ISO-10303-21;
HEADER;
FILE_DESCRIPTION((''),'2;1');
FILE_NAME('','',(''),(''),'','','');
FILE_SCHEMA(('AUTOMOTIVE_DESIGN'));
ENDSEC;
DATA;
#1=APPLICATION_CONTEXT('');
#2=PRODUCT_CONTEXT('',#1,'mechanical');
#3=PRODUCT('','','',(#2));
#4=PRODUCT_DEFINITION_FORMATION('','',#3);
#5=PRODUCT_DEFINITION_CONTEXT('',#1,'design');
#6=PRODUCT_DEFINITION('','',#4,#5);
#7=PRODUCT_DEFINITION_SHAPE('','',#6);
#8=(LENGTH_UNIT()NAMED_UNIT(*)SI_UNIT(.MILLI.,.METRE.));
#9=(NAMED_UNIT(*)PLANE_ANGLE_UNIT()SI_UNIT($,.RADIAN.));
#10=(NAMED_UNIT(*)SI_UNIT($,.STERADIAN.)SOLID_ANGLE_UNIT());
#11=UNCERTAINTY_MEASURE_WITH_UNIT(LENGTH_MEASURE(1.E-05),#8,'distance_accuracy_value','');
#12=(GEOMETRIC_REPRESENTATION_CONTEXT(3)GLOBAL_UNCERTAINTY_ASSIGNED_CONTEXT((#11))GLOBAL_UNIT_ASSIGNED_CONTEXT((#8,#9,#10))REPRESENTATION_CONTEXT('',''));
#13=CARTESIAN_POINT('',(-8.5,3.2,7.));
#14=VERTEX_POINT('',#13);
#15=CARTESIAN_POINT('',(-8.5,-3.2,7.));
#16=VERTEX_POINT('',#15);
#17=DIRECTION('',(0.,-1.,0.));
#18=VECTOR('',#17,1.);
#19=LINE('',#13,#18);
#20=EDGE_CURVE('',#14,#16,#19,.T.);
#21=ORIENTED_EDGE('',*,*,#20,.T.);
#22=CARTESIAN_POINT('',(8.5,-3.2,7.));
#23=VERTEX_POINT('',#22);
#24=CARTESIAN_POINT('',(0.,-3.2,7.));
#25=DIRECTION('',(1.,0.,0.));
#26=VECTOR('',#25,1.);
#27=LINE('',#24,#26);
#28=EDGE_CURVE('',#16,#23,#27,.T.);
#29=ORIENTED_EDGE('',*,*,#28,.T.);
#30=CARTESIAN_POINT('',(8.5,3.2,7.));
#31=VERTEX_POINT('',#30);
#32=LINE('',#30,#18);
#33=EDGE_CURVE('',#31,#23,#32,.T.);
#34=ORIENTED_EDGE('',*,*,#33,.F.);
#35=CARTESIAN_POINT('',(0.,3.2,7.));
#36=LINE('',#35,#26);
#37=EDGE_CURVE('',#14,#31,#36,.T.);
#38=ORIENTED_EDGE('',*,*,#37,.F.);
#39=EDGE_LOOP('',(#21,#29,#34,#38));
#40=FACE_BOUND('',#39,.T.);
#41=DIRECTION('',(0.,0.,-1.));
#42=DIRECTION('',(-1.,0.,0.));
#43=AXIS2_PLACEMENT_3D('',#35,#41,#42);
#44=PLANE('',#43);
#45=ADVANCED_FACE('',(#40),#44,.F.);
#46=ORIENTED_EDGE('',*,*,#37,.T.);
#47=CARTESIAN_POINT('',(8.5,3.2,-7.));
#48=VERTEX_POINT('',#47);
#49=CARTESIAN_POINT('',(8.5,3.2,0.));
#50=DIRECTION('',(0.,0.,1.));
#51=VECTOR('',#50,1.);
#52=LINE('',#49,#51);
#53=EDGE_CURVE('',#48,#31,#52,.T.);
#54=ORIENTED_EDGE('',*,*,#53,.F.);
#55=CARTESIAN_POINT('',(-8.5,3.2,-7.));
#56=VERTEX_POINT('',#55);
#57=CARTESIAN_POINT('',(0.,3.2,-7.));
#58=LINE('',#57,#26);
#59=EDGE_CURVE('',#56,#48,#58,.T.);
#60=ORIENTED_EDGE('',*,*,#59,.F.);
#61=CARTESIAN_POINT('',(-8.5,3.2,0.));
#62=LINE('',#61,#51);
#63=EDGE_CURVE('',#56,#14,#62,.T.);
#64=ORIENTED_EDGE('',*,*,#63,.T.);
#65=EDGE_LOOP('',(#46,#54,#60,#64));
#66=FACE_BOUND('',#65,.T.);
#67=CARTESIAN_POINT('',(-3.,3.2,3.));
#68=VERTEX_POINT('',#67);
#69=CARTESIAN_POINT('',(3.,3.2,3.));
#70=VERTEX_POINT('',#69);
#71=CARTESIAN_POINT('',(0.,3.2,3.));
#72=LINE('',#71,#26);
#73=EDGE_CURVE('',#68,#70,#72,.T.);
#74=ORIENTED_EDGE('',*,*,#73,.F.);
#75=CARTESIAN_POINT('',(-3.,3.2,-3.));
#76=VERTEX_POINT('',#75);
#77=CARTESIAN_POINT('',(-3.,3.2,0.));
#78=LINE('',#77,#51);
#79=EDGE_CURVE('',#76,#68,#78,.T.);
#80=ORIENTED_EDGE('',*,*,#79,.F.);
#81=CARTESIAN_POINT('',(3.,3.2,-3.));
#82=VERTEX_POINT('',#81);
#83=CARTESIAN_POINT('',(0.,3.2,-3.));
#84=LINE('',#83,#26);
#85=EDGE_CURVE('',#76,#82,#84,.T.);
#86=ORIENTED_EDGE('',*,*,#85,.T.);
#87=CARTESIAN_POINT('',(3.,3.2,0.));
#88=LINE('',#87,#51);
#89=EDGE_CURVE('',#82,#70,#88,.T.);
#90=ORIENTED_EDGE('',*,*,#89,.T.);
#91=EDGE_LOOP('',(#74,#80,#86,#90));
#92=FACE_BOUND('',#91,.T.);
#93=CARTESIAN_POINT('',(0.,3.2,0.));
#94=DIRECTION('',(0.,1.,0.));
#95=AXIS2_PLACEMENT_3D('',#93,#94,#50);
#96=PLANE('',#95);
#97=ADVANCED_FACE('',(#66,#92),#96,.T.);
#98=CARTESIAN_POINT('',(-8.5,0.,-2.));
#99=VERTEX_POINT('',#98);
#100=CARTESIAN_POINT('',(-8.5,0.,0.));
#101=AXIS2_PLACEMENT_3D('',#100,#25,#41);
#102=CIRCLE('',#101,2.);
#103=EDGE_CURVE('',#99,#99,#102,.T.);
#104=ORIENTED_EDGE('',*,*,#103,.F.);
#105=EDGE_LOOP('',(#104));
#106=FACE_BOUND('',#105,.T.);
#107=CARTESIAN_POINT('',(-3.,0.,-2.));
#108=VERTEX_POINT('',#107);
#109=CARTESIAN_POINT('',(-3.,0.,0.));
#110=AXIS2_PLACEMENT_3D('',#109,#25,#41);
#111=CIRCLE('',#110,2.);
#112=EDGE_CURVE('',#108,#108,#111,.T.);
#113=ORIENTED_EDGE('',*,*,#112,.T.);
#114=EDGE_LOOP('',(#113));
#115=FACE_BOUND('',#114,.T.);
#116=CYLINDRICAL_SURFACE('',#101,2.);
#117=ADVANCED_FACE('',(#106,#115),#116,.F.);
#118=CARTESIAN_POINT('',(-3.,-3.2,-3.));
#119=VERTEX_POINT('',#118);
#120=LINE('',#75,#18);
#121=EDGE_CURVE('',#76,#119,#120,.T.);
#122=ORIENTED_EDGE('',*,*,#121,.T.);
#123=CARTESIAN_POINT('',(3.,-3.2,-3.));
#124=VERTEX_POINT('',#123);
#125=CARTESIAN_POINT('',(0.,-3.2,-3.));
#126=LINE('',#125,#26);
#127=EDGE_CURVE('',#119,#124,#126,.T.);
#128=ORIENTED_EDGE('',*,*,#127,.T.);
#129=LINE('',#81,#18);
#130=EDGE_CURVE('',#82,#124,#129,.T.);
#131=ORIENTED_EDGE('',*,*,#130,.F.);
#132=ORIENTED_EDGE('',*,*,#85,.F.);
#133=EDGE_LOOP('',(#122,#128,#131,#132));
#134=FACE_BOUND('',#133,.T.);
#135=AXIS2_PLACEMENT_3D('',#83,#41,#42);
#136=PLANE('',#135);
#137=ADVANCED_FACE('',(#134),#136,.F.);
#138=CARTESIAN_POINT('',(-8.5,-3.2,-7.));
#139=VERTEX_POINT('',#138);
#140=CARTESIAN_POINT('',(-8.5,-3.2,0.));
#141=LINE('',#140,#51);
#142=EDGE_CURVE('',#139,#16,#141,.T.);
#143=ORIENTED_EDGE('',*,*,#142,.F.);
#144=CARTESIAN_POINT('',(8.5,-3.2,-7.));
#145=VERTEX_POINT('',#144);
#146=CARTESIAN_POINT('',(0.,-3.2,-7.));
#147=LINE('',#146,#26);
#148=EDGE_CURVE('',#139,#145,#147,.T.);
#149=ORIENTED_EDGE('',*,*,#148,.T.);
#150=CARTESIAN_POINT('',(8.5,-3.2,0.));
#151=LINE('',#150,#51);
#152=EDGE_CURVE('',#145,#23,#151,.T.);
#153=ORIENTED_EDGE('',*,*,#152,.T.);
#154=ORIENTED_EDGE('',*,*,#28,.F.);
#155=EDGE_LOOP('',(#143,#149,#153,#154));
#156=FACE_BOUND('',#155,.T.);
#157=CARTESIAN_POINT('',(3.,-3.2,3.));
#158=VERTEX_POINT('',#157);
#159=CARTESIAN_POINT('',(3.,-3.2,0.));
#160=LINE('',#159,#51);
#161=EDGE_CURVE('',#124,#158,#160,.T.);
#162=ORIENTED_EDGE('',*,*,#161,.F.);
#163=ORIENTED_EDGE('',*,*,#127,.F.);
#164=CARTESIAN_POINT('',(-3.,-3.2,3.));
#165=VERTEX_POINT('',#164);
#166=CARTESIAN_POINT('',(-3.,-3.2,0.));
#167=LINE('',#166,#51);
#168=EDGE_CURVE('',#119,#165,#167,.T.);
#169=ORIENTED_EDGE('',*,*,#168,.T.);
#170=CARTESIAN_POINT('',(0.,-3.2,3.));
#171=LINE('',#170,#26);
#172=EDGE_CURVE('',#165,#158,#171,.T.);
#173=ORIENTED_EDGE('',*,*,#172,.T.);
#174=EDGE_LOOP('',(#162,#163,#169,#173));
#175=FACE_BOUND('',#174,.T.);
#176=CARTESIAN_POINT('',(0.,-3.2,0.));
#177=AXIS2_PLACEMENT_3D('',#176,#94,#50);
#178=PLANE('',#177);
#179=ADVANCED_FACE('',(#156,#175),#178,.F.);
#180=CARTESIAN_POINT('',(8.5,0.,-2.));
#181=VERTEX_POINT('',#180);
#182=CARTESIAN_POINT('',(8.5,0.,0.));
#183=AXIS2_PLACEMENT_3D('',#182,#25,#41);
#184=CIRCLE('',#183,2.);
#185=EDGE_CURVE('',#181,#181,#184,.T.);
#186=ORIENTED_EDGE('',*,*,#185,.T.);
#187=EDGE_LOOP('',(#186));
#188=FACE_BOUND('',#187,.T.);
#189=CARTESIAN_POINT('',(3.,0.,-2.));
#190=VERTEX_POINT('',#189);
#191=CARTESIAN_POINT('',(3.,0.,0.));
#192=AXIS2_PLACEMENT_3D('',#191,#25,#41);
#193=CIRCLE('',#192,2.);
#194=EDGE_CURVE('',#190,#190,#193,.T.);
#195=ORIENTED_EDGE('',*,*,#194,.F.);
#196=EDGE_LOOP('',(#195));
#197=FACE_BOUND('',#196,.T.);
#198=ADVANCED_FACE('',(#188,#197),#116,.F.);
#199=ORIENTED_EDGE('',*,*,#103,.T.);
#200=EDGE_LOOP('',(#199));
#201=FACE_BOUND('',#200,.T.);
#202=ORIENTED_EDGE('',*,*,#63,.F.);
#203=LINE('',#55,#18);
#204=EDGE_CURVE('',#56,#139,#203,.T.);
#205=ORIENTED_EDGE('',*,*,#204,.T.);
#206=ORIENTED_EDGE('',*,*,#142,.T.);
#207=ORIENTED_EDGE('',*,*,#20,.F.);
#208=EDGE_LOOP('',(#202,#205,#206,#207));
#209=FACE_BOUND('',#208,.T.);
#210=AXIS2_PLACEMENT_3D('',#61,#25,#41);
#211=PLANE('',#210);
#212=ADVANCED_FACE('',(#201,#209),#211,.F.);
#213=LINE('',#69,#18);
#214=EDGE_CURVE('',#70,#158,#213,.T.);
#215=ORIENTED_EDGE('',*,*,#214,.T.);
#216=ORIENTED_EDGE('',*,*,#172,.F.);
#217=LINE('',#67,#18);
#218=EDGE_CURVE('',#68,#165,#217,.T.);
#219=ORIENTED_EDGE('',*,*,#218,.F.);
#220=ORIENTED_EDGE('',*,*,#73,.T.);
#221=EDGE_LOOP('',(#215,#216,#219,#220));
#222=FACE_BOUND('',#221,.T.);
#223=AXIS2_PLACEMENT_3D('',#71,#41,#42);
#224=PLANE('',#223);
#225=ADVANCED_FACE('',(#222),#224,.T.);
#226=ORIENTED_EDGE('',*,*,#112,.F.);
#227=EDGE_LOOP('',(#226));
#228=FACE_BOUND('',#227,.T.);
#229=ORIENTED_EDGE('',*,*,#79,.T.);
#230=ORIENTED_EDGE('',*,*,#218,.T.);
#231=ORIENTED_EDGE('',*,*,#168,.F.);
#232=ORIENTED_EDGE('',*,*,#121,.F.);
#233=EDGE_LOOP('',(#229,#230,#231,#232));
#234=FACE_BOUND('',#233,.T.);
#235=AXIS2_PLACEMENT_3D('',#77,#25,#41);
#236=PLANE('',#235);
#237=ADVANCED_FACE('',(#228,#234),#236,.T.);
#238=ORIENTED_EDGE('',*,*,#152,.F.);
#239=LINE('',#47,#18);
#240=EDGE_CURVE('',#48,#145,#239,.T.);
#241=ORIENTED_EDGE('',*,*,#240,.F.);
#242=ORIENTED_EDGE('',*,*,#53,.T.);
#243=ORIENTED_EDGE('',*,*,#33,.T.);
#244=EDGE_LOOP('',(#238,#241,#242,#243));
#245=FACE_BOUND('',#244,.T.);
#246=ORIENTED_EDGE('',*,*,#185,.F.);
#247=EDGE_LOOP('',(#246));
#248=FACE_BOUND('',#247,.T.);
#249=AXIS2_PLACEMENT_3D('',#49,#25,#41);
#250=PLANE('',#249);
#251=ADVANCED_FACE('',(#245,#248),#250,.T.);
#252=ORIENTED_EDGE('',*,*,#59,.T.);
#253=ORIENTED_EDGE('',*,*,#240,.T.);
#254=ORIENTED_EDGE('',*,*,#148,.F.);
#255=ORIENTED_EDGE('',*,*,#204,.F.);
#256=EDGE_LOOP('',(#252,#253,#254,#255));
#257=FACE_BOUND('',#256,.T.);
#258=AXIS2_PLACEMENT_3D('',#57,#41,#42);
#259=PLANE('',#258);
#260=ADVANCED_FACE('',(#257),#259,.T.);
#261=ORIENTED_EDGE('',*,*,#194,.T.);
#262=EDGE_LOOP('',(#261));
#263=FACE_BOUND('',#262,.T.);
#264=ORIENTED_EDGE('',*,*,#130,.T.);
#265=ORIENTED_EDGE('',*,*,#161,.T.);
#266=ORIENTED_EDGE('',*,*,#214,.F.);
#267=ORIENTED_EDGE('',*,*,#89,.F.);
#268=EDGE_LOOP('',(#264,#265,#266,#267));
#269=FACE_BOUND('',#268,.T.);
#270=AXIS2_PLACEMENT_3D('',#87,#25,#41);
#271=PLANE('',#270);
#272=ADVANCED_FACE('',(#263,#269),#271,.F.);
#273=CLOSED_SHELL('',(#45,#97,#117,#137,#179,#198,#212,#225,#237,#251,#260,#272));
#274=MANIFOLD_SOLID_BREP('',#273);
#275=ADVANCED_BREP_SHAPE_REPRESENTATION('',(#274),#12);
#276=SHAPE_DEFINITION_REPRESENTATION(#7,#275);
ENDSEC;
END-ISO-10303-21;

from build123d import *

# Parameters (mm, degrees)
SKETCH1_W               = 17
SKETCH1_H               = 14
SKETCH1_W_2             = 6
SKETCH1_H_2             = 6
BOSS_EXTRUDE1_DEPTH     = 3.2
CUT_EXTRUDE1_DEPTH      = 12.466908912
CUT_EXTRUDE1_DEPTH_BACK = 12.466908912
SKETCH2_R               = 2


with BuildPart() as part:
    # Sketch1 → Boss-Extrude1 (new, symmetric)
    with BuildSketch(Plane(origin=(0, 0, 0), x_dir=(1, 0, 0), z_dir=(0, 1, 0))):
        Rectangle(SKETCH1_W, SKETCH1_H)
        Rectangle(SKETCH1_W_2, SKETCH1_H_2, mode=Mode.SUBTRACT)
    extrude(amount=BOSS_EXTRUDE1_DEPTH, both=True)

    # Sketch2 → Cut-Extrude1 (cut, two sides: drawn at the far end of the back side and taken through both)
    with BuildSketch(Plane(origin=(0, 0, 0), x_dir=(0, 0, -1), z_dir=(1, 0, 0)).offset(-CUT_EXTRUDE1_DEPTH_BACK)):
        Circle(SKETCH2_R)
    extrude(amount=CUT_EXTRUDE1_DEPTH + CUT_EXTRUDE1_DEPTH_BACK, mode=Mode.SUBTRACT)


solid = part.part
